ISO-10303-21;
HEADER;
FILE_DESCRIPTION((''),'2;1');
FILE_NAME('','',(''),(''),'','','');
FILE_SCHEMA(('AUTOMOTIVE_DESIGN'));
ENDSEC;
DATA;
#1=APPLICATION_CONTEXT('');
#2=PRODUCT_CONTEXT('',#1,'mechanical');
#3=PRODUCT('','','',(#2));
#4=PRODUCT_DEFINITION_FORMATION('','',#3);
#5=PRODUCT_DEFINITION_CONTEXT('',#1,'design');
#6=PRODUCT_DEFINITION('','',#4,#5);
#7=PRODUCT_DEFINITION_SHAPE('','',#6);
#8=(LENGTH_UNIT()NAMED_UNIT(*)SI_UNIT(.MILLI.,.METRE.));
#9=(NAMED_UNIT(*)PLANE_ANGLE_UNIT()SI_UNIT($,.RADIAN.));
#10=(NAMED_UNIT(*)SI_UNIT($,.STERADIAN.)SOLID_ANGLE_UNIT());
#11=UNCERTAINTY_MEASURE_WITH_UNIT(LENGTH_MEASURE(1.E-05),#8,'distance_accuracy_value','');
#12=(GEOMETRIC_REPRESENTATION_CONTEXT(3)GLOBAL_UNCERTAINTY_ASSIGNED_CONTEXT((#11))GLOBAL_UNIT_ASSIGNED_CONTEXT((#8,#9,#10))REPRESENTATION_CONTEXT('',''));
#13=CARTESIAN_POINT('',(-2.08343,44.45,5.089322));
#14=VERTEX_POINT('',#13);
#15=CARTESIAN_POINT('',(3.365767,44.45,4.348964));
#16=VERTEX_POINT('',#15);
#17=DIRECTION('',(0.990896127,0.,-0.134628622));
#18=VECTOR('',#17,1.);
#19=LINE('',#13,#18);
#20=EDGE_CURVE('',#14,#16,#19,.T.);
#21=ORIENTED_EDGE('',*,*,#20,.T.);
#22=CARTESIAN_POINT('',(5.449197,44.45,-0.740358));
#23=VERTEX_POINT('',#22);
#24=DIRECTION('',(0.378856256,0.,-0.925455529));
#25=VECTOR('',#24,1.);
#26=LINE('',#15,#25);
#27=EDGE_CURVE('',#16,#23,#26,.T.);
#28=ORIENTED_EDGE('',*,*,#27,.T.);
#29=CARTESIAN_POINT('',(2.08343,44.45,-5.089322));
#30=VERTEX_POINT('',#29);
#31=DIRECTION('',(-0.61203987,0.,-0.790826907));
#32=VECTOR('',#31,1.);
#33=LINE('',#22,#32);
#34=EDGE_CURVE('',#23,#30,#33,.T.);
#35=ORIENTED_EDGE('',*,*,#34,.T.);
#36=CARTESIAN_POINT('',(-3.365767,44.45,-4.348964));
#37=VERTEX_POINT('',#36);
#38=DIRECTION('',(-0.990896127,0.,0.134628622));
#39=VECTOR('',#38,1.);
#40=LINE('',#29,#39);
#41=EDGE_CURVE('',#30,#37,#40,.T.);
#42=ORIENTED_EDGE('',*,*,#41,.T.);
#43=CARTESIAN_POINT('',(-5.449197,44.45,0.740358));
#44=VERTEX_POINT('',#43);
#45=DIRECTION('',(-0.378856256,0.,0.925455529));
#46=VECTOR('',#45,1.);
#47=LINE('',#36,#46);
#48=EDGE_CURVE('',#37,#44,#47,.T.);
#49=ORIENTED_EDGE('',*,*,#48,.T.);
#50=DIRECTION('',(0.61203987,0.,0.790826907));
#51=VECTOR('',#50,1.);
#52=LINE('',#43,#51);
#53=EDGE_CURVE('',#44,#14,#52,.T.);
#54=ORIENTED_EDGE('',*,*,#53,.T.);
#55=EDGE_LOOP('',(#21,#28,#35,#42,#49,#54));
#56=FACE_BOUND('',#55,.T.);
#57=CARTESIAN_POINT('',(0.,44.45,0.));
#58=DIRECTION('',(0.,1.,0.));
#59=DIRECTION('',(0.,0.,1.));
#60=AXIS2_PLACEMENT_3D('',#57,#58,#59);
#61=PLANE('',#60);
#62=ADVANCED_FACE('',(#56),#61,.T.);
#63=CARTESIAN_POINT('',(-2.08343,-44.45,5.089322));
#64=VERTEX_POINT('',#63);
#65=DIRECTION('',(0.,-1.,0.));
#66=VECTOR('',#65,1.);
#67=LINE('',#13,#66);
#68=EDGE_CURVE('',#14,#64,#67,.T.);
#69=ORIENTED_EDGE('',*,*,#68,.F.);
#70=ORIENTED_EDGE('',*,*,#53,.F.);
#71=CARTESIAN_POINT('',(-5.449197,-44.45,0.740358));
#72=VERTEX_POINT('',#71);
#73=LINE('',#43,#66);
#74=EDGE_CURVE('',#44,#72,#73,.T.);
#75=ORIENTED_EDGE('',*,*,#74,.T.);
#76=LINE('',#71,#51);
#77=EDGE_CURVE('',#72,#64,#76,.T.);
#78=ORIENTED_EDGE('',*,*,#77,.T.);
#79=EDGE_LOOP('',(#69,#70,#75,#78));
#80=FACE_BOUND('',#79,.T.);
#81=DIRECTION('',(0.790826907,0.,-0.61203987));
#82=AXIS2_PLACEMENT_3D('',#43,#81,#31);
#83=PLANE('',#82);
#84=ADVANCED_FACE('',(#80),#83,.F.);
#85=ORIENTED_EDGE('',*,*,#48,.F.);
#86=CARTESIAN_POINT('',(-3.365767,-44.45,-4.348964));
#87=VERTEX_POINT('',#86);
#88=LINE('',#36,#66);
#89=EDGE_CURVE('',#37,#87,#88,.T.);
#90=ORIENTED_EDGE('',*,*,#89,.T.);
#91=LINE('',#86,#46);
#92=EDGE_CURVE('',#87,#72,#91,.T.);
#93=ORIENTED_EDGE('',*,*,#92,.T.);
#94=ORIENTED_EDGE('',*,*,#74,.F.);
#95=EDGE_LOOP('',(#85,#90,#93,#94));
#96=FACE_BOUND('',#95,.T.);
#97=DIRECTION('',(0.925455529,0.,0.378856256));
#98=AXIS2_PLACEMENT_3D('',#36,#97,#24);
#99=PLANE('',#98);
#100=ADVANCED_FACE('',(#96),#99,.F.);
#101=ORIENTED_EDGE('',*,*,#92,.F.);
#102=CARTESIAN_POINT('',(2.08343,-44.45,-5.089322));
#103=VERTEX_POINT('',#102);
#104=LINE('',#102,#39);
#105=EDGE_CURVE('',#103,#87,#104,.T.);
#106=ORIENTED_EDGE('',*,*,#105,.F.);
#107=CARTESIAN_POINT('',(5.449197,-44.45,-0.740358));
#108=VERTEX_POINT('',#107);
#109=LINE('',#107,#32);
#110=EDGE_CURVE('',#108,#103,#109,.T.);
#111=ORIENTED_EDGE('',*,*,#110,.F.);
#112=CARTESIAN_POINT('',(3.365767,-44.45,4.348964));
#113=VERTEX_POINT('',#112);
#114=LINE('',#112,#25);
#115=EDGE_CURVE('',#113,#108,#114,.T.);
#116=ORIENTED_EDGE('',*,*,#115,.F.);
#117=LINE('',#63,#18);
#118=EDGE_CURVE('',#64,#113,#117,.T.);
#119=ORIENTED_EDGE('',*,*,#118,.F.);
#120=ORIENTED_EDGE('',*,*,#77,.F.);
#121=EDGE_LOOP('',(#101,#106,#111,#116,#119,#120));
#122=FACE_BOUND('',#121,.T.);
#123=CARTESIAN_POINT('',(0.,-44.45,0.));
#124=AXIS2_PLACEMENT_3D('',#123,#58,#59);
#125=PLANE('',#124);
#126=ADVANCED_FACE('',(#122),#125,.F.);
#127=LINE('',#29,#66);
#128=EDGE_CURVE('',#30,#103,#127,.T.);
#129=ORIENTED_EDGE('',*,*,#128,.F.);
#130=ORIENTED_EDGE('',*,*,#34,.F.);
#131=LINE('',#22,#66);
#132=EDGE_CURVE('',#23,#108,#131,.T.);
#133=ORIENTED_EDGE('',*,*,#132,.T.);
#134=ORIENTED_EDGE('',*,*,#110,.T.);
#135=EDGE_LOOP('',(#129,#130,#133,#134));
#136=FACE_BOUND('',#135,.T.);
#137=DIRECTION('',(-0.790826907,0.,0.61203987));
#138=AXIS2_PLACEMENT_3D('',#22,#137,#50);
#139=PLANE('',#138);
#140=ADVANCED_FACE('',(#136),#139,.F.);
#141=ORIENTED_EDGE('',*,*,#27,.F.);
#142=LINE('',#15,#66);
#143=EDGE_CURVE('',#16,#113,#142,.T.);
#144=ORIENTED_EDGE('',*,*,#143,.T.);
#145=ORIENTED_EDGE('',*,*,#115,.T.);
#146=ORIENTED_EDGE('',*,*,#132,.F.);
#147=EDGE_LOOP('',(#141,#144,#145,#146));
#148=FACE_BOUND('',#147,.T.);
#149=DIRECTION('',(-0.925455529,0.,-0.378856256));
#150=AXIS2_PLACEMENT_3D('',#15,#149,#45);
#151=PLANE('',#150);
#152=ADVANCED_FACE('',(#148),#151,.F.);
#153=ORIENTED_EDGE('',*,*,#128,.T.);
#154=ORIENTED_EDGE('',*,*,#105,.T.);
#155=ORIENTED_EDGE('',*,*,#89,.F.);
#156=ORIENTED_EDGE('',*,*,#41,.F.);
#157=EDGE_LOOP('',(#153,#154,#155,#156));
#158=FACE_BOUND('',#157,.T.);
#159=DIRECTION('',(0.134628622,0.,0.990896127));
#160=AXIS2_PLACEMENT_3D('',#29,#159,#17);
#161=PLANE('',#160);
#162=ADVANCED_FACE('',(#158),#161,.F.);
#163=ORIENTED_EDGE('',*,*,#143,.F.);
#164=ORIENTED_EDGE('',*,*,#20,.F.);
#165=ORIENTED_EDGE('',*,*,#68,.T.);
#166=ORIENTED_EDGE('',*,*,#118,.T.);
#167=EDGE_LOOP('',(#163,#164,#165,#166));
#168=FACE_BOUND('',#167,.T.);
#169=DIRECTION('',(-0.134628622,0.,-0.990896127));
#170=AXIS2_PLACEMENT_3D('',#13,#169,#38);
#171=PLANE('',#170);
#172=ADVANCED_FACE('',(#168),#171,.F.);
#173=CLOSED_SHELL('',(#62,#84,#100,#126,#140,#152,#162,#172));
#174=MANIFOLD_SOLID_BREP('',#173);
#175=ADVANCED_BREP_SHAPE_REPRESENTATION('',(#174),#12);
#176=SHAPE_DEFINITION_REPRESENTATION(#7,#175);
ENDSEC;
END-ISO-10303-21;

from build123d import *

# Parameters (mm, degrees)
BOSS_EXTRUDE1_DEPTH = 44.45


with BuildPart() as part:
    # Sketch1 → Boss-Extrude1 (new, symmetric)
    with BuildSketch(Plane(origin=(0, 0, 0), x_dir=(1, 0, 0), z_dir=(0, 1, 0))):
        Polygon((3.365767182, -4.348963816), (5.449196736, 0.740357975), (2.083429554, 5.089321791), (-3.365767182, 4.348963816), (-5.449196736, -0.740357975), (-2.083429554, -5.089321791), align=None)
    extrude(amount=BOSS_EXTRUDE1_DEPTH, both=True)


solid = part.part
